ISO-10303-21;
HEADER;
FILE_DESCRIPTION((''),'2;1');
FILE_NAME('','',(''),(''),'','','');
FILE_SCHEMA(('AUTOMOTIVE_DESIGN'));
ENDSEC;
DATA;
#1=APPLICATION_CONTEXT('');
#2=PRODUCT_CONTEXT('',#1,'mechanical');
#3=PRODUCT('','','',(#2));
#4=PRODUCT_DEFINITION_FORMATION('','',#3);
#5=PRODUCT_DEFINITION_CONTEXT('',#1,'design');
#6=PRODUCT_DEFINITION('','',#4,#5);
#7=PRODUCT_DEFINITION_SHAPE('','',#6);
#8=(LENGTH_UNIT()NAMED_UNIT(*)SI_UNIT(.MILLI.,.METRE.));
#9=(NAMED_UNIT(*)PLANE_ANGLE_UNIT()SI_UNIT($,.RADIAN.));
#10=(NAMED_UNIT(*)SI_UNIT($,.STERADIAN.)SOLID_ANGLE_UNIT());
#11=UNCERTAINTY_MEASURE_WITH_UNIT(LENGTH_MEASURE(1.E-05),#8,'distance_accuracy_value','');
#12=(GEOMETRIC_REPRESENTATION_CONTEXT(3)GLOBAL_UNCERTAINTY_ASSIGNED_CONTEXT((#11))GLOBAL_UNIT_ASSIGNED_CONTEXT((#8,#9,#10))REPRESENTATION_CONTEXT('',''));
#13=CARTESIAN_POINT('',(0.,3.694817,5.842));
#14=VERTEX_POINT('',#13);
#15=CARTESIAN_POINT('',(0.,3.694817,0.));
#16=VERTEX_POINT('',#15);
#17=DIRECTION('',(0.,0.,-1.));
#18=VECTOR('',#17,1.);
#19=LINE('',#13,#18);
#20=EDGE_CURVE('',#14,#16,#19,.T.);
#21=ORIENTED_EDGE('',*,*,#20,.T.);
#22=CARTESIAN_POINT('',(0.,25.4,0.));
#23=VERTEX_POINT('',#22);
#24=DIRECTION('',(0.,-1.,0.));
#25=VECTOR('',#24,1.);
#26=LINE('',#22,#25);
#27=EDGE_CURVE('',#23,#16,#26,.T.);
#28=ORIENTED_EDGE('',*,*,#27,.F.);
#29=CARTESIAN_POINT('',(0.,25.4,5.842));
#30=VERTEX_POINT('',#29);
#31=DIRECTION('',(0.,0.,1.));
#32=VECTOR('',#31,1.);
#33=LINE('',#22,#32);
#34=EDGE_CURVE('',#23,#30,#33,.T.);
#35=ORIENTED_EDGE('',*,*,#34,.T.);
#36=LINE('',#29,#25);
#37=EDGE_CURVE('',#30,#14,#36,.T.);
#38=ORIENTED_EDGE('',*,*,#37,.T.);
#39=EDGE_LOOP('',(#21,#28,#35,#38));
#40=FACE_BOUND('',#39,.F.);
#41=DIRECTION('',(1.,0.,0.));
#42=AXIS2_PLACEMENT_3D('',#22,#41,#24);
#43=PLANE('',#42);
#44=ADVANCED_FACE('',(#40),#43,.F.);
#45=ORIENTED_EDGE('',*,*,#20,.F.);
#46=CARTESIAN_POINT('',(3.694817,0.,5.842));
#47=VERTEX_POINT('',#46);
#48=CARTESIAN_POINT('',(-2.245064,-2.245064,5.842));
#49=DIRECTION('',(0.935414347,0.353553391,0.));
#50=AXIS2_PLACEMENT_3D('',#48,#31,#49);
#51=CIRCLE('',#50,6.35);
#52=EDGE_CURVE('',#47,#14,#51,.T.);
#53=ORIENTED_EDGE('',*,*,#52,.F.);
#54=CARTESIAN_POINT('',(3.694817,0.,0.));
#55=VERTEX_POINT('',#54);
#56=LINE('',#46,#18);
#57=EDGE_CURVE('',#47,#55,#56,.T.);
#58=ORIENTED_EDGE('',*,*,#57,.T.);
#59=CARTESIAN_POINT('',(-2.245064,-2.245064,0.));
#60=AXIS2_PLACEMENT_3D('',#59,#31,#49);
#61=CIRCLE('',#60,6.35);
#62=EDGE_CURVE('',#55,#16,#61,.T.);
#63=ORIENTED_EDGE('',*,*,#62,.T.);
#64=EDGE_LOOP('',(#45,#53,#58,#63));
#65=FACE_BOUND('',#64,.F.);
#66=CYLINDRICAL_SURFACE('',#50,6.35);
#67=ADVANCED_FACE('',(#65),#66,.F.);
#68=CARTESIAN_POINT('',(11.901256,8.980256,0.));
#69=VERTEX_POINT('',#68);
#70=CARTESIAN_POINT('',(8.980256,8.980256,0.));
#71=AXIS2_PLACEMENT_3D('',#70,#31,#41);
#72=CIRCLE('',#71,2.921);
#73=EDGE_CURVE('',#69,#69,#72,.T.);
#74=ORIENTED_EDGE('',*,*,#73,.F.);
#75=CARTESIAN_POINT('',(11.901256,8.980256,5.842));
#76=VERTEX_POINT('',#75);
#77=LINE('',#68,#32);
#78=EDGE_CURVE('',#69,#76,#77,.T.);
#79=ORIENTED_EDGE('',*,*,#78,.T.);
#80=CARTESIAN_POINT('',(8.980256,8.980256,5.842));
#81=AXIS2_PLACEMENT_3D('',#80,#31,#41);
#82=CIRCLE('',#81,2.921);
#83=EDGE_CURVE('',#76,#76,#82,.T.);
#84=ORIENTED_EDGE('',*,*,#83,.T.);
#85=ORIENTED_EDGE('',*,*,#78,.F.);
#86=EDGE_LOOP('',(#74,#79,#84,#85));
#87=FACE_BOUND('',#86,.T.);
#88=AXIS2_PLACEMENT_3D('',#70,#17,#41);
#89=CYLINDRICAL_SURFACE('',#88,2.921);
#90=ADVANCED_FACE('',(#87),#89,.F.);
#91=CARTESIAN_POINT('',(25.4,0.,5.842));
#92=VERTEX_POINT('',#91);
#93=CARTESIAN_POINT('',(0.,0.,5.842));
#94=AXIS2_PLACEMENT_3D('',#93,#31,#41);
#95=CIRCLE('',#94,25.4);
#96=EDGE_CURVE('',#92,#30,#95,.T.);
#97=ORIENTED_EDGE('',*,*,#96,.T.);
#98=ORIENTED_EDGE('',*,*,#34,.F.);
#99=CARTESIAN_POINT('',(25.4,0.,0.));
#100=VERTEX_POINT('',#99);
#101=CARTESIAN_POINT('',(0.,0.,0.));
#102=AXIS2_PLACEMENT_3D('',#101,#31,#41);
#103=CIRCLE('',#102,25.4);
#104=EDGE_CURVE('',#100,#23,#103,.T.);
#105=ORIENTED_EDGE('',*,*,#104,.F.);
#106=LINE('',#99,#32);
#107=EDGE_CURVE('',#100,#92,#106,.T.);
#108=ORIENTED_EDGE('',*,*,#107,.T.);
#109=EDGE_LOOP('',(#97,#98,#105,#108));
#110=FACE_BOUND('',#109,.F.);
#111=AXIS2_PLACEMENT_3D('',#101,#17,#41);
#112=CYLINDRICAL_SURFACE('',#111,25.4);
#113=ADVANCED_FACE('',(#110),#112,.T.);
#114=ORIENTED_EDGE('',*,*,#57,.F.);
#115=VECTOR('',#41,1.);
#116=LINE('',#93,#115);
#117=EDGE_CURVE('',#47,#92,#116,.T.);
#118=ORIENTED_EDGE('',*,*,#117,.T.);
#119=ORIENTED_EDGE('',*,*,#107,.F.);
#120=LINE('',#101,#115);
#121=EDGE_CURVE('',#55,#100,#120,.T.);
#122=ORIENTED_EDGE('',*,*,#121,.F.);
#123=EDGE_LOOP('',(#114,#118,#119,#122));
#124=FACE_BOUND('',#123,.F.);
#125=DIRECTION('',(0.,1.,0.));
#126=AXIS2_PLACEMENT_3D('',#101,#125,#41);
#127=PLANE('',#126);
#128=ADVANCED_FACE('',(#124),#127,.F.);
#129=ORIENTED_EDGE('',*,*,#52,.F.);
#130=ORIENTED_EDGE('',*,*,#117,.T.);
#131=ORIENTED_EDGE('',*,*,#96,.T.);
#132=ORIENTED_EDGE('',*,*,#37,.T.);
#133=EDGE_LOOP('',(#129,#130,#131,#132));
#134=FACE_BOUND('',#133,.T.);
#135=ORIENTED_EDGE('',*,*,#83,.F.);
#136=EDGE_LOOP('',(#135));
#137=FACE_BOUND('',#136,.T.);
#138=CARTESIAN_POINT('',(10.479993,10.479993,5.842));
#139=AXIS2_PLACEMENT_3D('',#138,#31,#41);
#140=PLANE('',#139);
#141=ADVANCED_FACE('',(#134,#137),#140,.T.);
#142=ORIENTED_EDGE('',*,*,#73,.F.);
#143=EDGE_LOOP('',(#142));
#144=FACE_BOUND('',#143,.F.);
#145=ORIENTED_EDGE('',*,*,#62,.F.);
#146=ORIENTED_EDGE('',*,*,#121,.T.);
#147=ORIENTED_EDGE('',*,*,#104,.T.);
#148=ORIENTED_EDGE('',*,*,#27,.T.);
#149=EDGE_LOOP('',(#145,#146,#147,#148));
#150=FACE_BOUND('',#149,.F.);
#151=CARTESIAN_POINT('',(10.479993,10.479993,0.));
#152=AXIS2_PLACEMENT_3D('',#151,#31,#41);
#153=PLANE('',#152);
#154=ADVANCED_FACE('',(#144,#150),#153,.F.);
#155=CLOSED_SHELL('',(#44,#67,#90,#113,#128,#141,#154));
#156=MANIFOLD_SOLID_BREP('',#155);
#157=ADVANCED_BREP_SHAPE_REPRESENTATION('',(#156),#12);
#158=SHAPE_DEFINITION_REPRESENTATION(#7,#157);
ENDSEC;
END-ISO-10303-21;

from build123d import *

# Parameters (mm, degrees)
F0_R     = 2.921
F1_DEPTH = 5.842
F3_DEPTH = 5.842


with BuildPart() as f1:
    # F0 (on Top) → F1 (new body)
    with BuildSketch(Plane.XY):
        with BuildLine():
            Line((0, 25.4), (0, 0))
            Line((0, 0), (25.4, 0))
            ThreePointArc((25.4, 0), (17.9605122421, 17.9605122421), (0, 25.4))
        make_face()
        with Locations((8.9802561211, 8.9802561211)):
            Circle(F0_R, mode=Mode.SUBTRACT)
    extrude(amount=F1_DEPTH)

    # F2 (on face) → F3 (cut, through all)
    with BuildSketch(Plane.XY.offset(5.842)):
        with BuildLine():
            Line((0, 0), (3.6948170712, 0))
            ThreePointArc((3.6948170712, 0), (2.2450640303, 2.2450640303), (0, 3.6948170712))
            Line((0, 3.6948170712), (0, 0))
        make_face()
    extrude(amount=-F3_DEPTH, mode=Mode.SUBTRACT)


solid = f1.part
